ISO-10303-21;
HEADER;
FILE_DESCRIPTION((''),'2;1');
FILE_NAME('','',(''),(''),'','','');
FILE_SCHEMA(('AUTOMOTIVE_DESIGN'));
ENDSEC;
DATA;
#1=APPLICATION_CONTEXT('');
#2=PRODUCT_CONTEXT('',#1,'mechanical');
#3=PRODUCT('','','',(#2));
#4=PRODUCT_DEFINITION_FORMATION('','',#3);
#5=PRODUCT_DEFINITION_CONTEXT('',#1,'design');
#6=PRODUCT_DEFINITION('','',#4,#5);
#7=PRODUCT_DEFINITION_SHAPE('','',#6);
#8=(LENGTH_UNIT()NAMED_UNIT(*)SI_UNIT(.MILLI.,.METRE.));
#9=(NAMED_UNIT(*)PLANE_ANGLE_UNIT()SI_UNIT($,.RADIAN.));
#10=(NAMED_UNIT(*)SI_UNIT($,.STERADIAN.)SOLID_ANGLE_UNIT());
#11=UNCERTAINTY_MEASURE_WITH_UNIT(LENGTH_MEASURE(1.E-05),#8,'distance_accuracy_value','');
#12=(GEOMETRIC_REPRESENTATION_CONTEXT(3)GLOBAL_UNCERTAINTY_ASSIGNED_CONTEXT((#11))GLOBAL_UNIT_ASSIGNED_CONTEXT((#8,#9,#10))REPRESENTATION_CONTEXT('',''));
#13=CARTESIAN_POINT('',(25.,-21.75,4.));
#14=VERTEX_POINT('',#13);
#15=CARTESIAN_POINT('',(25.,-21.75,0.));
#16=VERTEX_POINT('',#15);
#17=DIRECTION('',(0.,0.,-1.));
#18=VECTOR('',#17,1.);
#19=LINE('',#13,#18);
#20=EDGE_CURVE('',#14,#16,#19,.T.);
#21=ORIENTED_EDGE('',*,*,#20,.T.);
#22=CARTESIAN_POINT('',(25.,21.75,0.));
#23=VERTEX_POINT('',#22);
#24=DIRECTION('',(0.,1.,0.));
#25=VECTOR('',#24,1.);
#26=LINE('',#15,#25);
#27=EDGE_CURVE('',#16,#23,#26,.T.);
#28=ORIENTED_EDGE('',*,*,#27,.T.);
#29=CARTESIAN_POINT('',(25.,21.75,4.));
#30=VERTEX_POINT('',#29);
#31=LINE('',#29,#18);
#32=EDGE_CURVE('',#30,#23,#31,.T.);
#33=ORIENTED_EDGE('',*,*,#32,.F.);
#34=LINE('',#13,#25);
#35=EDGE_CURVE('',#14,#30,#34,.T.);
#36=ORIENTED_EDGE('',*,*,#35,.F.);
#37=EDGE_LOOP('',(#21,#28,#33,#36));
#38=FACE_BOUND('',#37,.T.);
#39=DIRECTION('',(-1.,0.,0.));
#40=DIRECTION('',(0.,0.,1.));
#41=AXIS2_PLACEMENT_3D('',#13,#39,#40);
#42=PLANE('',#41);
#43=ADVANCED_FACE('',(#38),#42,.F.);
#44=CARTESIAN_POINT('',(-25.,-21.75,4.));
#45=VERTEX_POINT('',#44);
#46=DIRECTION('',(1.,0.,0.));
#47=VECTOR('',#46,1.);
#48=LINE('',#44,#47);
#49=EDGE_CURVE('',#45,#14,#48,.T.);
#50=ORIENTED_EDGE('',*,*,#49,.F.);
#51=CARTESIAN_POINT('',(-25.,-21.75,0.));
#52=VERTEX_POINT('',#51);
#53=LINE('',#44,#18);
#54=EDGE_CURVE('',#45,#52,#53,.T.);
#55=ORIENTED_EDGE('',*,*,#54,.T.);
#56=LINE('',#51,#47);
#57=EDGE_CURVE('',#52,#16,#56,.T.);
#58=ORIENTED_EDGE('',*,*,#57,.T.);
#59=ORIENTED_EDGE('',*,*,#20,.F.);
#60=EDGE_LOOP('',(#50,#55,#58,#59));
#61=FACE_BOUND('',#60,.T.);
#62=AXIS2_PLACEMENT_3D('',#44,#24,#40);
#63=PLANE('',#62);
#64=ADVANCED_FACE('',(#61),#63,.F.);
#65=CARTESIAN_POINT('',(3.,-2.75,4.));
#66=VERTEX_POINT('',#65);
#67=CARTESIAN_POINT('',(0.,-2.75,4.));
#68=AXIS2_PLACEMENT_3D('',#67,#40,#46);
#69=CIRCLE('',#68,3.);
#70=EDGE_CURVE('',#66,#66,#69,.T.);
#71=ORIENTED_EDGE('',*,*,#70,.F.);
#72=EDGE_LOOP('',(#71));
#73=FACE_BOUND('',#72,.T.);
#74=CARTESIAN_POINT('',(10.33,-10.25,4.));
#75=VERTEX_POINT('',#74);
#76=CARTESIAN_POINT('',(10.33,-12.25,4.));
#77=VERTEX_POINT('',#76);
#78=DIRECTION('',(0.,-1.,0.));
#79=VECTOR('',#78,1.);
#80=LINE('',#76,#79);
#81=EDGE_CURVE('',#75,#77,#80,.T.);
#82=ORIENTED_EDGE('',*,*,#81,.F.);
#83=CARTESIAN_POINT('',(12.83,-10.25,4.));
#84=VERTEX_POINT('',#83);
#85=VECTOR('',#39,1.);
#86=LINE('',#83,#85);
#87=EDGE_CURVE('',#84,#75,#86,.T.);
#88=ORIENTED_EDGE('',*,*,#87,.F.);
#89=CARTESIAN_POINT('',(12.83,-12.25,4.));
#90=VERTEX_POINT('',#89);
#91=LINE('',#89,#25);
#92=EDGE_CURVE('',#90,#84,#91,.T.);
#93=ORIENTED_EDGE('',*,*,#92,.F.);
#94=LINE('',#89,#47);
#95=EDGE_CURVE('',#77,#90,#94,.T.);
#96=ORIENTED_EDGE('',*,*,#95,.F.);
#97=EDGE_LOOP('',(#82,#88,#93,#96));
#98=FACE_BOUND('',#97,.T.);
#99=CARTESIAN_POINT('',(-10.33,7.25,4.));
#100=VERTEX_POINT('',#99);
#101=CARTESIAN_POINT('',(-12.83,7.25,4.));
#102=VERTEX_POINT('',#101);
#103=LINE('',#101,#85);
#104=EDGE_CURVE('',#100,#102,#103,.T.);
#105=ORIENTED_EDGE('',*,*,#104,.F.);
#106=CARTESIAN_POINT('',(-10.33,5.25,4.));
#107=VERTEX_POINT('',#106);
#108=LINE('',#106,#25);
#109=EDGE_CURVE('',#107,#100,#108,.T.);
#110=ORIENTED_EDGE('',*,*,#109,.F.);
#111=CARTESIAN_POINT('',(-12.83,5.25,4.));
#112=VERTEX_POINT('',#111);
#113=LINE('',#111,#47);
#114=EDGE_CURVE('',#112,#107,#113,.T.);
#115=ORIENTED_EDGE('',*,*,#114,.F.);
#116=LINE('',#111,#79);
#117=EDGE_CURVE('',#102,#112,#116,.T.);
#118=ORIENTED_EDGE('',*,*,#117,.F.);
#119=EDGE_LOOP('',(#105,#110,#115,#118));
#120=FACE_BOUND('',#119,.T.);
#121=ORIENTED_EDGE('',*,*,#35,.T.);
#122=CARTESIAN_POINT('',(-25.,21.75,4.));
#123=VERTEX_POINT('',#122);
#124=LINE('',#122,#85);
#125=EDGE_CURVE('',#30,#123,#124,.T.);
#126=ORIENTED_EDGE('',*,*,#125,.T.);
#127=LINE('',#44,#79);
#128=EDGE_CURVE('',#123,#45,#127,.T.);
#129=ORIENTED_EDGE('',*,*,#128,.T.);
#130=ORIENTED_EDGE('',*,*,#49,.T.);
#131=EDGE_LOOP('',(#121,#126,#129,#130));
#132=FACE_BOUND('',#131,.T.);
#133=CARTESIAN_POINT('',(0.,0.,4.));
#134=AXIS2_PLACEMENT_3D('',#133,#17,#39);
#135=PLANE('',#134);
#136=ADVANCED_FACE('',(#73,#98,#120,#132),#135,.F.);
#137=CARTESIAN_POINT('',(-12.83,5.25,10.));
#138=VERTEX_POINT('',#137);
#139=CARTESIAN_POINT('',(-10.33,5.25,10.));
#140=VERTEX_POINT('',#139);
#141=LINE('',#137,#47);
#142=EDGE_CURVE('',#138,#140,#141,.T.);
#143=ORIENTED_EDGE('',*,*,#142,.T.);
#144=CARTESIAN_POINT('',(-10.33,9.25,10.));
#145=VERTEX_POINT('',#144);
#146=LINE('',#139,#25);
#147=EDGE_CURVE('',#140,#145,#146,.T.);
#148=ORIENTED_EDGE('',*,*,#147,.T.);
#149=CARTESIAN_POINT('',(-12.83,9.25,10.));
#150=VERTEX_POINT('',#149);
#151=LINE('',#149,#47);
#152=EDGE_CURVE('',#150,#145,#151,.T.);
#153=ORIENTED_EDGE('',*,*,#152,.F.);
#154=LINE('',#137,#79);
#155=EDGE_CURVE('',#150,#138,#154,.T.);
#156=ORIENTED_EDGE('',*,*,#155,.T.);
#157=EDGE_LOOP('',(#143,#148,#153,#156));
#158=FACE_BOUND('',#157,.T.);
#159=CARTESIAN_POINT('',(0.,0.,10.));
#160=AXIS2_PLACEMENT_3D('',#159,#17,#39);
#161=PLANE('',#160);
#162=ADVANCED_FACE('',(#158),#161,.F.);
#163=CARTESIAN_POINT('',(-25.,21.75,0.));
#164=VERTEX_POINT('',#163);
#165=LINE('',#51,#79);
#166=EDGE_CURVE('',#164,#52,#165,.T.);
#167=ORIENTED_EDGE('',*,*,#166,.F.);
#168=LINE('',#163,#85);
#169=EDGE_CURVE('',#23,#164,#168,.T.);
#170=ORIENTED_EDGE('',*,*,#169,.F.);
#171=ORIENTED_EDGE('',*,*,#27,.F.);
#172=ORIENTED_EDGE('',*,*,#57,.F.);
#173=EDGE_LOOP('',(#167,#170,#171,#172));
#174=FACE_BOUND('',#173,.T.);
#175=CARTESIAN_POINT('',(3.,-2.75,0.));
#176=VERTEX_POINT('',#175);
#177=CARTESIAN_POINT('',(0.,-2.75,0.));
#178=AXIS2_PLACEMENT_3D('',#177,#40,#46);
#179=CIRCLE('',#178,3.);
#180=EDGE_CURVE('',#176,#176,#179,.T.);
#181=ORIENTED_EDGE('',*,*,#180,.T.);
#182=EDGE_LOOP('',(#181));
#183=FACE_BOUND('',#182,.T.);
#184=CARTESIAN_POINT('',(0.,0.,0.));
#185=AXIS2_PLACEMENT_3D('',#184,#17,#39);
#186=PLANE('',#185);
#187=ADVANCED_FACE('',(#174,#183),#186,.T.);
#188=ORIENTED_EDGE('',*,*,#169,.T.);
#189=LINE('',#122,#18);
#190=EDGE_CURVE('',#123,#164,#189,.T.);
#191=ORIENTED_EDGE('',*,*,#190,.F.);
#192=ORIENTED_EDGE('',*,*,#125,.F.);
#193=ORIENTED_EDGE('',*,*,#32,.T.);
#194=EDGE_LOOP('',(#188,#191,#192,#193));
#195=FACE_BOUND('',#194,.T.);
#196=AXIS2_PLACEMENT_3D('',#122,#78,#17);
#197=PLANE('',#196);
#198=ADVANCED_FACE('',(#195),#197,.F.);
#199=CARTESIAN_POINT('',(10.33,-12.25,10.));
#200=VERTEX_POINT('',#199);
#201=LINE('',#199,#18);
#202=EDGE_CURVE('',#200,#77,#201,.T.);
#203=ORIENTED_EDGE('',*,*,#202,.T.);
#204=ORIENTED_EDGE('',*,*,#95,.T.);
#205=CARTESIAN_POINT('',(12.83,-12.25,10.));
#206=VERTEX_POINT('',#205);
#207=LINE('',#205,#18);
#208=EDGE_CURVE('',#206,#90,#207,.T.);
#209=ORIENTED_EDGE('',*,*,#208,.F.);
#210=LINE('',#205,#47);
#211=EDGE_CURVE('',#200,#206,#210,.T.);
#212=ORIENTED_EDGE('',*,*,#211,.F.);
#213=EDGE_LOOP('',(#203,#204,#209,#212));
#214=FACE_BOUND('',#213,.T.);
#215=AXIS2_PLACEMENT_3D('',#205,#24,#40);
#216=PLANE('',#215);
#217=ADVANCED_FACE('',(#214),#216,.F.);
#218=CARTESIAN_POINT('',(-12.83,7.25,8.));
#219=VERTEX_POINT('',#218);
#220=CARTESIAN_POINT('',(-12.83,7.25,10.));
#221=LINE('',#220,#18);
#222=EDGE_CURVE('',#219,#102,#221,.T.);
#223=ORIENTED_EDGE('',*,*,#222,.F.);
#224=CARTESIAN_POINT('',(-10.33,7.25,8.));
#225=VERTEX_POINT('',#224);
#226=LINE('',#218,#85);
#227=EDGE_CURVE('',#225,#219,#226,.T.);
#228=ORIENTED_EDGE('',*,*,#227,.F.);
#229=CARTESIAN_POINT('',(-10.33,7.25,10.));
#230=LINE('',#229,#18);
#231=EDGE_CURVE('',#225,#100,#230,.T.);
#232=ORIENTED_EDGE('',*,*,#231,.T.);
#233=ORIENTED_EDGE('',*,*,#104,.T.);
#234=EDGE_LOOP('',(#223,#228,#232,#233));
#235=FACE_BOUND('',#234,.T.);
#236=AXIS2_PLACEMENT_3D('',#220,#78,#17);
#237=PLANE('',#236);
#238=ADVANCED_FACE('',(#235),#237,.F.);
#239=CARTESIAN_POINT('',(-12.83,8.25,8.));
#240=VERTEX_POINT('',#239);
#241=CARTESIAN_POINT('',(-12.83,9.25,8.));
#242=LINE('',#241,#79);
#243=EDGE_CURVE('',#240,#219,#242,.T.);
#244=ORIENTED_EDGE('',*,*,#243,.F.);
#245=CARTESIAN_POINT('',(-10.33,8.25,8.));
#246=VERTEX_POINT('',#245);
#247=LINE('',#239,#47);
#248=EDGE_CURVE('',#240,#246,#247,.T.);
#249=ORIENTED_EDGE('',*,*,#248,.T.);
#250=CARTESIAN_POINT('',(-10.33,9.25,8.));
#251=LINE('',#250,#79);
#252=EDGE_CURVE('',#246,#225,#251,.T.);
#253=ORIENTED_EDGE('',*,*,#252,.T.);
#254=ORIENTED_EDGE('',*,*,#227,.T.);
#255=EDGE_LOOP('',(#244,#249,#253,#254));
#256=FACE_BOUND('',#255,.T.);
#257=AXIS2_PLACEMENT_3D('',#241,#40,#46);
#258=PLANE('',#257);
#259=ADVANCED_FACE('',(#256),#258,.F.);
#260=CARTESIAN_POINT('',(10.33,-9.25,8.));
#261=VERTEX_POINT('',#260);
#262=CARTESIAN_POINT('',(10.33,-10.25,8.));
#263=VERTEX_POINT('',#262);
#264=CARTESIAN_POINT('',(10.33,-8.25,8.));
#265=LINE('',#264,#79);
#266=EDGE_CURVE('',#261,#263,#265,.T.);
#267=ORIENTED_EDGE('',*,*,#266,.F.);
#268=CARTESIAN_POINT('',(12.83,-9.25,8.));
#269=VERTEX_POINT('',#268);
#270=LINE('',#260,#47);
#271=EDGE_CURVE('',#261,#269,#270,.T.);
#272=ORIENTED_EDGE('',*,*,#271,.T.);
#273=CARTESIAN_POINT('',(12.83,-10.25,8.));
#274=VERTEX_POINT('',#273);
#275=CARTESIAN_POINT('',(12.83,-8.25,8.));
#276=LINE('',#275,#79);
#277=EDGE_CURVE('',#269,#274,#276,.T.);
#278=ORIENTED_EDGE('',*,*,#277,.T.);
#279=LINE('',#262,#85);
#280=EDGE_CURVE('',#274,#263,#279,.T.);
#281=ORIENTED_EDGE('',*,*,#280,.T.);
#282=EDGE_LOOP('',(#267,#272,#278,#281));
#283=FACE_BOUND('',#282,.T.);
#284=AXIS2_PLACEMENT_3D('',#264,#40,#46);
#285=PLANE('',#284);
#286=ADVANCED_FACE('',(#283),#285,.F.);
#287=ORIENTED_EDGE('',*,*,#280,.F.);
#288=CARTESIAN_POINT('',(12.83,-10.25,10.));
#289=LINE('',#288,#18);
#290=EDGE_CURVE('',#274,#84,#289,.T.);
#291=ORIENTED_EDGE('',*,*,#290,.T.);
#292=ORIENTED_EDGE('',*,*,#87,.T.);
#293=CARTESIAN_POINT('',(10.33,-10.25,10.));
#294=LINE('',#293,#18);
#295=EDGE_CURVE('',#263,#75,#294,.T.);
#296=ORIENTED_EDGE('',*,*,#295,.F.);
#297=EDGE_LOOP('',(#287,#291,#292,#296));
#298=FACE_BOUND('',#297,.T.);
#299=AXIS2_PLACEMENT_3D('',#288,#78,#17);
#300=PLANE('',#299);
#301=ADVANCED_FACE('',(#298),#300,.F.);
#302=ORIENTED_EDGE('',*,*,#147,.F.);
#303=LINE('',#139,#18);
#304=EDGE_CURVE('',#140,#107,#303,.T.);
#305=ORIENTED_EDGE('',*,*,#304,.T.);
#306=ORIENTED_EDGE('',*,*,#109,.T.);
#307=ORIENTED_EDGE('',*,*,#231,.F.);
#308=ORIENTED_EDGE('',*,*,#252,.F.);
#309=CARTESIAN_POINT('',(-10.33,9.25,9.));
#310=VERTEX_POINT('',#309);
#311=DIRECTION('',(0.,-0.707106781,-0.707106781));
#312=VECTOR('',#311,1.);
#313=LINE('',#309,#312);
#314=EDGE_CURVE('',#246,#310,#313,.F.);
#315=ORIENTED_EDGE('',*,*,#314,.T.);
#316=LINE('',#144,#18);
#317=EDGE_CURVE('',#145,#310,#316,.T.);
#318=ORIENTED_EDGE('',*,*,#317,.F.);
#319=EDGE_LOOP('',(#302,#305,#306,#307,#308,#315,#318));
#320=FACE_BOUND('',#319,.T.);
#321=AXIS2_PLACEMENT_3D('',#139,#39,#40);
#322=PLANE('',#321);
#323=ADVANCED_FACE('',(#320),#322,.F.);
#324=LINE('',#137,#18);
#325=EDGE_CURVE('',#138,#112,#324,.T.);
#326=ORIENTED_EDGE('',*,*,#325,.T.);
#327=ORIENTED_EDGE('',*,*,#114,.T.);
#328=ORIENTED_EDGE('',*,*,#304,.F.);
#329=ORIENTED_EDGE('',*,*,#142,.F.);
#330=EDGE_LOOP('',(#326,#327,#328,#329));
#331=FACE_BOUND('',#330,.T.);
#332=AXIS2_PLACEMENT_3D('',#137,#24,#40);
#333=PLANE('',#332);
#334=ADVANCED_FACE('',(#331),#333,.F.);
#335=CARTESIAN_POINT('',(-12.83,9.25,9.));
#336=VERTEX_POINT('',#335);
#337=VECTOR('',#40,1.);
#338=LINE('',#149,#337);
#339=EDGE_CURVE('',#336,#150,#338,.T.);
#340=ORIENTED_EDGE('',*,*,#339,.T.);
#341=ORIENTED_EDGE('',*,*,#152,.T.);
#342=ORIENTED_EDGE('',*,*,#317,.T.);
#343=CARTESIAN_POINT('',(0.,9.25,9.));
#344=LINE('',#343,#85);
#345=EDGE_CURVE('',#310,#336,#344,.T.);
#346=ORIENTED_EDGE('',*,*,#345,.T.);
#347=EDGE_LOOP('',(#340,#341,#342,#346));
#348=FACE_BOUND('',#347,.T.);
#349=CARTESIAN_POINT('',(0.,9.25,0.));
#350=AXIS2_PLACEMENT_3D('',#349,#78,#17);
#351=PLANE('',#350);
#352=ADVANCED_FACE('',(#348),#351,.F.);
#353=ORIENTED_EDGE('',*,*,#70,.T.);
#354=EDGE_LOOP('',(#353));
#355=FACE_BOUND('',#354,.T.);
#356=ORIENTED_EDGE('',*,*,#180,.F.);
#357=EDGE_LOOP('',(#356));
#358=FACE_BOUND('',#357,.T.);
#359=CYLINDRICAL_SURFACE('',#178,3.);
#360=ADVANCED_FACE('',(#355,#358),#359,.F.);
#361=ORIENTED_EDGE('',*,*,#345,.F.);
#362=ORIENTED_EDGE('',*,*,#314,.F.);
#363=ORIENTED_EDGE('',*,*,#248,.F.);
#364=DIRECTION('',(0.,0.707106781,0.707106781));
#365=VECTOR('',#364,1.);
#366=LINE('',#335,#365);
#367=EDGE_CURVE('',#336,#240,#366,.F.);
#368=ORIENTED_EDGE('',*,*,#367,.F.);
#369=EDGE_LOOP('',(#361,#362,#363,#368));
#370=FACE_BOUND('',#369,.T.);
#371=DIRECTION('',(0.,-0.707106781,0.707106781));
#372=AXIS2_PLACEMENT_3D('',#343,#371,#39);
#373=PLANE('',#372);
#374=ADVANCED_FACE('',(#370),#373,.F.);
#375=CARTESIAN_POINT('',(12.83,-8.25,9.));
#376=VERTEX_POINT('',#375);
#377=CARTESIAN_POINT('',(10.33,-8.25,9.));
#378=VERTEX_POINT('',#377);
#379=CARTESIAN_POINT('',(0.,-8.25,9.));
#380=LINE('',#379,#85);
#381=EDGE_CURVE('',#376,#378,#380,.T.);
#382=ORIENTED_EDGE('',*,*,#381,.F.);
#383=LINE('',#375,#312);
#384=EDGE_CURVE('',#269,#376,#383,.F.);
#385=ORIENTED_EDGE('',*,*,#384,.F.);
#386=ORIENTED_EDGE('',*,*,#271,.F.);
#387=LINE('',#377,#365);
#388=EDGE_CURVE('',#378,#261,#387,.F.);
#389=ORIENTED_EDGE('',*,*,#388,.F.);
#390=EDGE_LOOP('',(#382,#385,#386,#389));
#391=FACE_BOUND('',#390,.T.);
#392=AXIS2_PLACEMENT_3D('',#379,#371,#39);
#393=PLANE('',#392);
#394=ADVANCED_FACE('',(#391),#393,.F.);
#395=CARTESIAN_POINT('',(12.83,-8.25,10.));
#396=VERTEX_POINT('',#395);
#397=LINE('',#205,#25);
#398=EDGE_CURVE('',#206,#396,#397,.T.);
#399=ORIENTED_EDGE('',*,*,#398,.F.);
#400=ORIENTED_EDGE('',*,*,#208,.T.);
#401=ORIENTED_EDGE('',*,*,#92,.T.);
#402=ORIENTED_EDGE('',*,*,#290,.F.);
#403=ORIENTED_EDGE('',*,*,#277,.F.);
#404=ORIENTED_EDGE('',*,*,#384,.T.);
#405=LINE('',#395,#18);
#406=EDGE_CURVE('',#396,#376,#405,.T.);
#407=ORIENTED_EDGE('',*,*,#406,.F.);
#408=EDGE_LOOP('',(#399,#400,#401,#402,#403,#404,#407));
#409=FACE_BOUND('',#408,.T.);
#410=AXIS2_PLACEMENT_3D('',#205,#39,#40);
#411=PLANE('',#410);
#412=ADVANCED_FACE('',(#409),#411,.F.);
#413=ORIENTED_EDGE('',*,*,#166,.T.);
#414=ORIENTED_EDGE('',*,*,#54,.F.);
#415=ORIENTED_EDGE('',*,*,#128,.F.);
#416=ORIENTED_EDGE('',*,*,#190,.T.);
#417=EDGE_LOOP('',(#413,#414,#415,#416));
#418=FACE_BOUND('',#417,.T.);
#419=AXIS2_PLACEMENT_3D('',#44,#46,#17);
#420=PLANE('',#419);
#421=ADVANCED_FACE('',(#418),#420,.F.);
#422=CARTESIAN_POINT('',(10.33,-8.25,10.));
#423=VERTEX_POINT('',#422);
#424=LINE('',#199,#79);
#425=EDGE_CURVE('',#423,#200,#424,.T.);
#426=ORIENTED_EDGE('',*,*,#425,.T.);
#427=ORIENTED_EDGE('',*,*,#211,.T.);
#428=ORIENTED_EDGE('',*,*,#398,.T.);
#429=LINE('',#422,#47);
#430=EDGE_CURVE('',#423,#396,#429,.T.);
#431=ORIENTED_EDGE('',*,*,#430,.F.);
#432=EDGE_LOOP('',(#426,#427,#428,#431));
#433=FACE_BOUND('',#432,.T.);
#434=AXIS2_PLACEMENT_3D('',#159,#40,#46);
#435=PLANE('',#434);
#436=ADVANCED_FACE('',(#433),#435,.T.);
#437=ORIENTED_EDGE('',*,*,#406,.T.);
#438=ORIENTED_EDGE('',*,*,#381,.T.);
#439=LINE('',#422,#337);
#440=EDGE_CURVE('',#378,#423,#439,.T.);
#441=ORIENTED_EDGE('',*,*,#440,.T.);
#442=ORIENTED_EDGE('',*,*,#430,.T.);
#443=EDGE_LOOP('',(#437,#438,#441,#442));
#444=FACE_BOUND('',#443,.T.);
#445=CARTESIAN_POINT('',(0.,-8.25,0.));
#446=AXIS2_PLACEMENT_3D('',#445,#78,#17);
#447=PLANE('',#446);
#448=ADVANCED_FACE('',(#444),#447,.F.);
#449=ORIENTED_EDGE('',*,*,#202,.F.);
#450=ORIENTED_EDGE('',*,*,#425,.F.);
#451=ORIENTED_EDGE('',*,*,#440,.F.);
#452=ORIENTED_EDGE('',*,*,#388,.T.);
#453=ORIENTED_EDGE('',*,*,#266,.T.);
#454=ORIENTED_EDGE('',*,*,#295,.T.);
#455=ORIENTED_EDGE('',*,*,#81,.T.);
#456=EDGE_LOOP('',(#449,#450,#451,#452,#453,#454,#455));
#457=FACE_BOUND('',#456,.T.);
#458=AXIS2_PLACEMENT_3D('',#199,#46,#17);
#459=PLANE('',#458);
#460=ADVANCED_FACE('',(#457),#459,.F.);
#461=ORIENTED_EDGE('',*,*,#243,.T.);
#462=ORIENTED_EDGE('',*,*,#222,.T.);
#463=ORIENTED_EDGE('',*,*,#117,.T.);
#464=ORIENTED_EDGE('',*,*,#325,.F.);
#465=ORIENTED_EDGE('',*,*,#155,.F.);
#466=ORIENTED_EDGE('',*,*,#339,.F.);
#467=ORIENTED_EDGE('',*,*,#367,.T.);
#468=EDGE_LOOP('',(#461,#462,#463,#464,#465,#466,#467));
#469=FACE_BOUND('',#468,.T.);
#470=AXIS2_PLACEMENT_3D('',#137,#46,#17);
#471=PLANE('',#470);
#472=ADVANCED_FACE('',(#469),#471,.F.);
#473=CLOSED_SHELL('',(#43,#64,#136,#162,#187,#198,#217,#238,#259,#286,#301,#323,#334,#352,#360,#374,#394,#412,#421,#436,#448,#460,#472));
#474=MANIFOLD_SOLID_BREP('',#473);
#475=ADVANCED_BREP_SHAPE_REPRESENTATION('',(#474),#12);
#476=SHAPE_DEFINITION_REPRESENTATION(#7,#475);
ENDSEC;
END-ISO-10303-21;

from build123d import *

# Parameters (mm, degrees)
CROQUIS1_W              = 50
CROQUIS1_H              = 43.5
SALIENTE_EXTRUIR1_DEPTH = 4
CROQUIS2_R              = 3
CORTAR_EXTRUIR1_DEPTH   = 4
CROQUIS3_W              = 2.5
CROQUIS3_H              = 2
SALIENTE_EXTRUIR2_DEPTH = 6
CROQUIS4_W              = 2.5
CROQUIS4_H              = 2
SALIENTE_EXTRUIR3_DEPTH = 2
CROQUIS5_W              = 2.5
CROQUIS5_H              = 2
SALIENTE_EXTRUIR4_DEPTH = 2
CHAFL_N1_SIZE           = 1


with BuildPart() as part:
    # Croquis1 → Saliente-Extruir1 (new body)
    with BuildSketch(Plane.XY):
        Rectangle(CROQUIS1_W, CROQUIS1_H)
    extrude(amount=SALIENTE_EXTRUIR1_DEPTH)

    # Croquis2 → Cortar-Extruir1 (cut)
    with BuildSketch(Plane.XY.offset(4)):
        with Locations((0, -2.75)):
            Circle(CROQUIS2_R)
    extrude(amount=-CORTAR_EXTRUIR1_DEPTH, mode=Mode.SUBTRACT)

    # Croquis3 → Saliente-Extruir2 (add)
    with BuildSketch(Plane.XY.offset(4)):
        with Locations((-11.58, 6.25)):
            Rectangle(CROQUIS3_W, CROQUIS3_H)
        with Locations((11.58, -11.25)):
            Rectangle(CROQUIS3_W, CROQUIS3_H)
    extrude(amount=SALIENTE_EXTRUIR2_DEPTH)

    # Croquis4 → Saliente-Extruir3 (add)
    with BuildSketch(Plane(origin=(0, 7.25, 0), x_dir=(1, 0, 0), z_dir=(0, 1, 0))):
        with Locations((-11.58, -9)):
            Rectangle(CROQUIS4_W, CROQUIS4_H)
    extrude(amount=SALIENTE_EXTRUIR3_DEPTH)

    # Croquis5 → Saliente-Extruir4 (add)
    with BuildSketch(Plane(origin=(0, -10.25, 0), x_dir=(1, 0, 0), z_dir=(0, 1, 0))):
        with Locations((11.58, -9)):
            Rectangle(CROQUIS5_W, CROQUIS5_H)
    extrude(amount=SALIENTE_EXTRUIR4_DEPTH)

    # Chaflán1
    chafl_n1_edges = [part.edges().sort_by_distance(p)[0] for p in [
        (-11.58, 9.25, 8),
        (11.58, -8.25, 8),
    ]]
    chamfer(chafl_n1_edges, length=CHAFL_N1_SIZE)


solid = part.part
